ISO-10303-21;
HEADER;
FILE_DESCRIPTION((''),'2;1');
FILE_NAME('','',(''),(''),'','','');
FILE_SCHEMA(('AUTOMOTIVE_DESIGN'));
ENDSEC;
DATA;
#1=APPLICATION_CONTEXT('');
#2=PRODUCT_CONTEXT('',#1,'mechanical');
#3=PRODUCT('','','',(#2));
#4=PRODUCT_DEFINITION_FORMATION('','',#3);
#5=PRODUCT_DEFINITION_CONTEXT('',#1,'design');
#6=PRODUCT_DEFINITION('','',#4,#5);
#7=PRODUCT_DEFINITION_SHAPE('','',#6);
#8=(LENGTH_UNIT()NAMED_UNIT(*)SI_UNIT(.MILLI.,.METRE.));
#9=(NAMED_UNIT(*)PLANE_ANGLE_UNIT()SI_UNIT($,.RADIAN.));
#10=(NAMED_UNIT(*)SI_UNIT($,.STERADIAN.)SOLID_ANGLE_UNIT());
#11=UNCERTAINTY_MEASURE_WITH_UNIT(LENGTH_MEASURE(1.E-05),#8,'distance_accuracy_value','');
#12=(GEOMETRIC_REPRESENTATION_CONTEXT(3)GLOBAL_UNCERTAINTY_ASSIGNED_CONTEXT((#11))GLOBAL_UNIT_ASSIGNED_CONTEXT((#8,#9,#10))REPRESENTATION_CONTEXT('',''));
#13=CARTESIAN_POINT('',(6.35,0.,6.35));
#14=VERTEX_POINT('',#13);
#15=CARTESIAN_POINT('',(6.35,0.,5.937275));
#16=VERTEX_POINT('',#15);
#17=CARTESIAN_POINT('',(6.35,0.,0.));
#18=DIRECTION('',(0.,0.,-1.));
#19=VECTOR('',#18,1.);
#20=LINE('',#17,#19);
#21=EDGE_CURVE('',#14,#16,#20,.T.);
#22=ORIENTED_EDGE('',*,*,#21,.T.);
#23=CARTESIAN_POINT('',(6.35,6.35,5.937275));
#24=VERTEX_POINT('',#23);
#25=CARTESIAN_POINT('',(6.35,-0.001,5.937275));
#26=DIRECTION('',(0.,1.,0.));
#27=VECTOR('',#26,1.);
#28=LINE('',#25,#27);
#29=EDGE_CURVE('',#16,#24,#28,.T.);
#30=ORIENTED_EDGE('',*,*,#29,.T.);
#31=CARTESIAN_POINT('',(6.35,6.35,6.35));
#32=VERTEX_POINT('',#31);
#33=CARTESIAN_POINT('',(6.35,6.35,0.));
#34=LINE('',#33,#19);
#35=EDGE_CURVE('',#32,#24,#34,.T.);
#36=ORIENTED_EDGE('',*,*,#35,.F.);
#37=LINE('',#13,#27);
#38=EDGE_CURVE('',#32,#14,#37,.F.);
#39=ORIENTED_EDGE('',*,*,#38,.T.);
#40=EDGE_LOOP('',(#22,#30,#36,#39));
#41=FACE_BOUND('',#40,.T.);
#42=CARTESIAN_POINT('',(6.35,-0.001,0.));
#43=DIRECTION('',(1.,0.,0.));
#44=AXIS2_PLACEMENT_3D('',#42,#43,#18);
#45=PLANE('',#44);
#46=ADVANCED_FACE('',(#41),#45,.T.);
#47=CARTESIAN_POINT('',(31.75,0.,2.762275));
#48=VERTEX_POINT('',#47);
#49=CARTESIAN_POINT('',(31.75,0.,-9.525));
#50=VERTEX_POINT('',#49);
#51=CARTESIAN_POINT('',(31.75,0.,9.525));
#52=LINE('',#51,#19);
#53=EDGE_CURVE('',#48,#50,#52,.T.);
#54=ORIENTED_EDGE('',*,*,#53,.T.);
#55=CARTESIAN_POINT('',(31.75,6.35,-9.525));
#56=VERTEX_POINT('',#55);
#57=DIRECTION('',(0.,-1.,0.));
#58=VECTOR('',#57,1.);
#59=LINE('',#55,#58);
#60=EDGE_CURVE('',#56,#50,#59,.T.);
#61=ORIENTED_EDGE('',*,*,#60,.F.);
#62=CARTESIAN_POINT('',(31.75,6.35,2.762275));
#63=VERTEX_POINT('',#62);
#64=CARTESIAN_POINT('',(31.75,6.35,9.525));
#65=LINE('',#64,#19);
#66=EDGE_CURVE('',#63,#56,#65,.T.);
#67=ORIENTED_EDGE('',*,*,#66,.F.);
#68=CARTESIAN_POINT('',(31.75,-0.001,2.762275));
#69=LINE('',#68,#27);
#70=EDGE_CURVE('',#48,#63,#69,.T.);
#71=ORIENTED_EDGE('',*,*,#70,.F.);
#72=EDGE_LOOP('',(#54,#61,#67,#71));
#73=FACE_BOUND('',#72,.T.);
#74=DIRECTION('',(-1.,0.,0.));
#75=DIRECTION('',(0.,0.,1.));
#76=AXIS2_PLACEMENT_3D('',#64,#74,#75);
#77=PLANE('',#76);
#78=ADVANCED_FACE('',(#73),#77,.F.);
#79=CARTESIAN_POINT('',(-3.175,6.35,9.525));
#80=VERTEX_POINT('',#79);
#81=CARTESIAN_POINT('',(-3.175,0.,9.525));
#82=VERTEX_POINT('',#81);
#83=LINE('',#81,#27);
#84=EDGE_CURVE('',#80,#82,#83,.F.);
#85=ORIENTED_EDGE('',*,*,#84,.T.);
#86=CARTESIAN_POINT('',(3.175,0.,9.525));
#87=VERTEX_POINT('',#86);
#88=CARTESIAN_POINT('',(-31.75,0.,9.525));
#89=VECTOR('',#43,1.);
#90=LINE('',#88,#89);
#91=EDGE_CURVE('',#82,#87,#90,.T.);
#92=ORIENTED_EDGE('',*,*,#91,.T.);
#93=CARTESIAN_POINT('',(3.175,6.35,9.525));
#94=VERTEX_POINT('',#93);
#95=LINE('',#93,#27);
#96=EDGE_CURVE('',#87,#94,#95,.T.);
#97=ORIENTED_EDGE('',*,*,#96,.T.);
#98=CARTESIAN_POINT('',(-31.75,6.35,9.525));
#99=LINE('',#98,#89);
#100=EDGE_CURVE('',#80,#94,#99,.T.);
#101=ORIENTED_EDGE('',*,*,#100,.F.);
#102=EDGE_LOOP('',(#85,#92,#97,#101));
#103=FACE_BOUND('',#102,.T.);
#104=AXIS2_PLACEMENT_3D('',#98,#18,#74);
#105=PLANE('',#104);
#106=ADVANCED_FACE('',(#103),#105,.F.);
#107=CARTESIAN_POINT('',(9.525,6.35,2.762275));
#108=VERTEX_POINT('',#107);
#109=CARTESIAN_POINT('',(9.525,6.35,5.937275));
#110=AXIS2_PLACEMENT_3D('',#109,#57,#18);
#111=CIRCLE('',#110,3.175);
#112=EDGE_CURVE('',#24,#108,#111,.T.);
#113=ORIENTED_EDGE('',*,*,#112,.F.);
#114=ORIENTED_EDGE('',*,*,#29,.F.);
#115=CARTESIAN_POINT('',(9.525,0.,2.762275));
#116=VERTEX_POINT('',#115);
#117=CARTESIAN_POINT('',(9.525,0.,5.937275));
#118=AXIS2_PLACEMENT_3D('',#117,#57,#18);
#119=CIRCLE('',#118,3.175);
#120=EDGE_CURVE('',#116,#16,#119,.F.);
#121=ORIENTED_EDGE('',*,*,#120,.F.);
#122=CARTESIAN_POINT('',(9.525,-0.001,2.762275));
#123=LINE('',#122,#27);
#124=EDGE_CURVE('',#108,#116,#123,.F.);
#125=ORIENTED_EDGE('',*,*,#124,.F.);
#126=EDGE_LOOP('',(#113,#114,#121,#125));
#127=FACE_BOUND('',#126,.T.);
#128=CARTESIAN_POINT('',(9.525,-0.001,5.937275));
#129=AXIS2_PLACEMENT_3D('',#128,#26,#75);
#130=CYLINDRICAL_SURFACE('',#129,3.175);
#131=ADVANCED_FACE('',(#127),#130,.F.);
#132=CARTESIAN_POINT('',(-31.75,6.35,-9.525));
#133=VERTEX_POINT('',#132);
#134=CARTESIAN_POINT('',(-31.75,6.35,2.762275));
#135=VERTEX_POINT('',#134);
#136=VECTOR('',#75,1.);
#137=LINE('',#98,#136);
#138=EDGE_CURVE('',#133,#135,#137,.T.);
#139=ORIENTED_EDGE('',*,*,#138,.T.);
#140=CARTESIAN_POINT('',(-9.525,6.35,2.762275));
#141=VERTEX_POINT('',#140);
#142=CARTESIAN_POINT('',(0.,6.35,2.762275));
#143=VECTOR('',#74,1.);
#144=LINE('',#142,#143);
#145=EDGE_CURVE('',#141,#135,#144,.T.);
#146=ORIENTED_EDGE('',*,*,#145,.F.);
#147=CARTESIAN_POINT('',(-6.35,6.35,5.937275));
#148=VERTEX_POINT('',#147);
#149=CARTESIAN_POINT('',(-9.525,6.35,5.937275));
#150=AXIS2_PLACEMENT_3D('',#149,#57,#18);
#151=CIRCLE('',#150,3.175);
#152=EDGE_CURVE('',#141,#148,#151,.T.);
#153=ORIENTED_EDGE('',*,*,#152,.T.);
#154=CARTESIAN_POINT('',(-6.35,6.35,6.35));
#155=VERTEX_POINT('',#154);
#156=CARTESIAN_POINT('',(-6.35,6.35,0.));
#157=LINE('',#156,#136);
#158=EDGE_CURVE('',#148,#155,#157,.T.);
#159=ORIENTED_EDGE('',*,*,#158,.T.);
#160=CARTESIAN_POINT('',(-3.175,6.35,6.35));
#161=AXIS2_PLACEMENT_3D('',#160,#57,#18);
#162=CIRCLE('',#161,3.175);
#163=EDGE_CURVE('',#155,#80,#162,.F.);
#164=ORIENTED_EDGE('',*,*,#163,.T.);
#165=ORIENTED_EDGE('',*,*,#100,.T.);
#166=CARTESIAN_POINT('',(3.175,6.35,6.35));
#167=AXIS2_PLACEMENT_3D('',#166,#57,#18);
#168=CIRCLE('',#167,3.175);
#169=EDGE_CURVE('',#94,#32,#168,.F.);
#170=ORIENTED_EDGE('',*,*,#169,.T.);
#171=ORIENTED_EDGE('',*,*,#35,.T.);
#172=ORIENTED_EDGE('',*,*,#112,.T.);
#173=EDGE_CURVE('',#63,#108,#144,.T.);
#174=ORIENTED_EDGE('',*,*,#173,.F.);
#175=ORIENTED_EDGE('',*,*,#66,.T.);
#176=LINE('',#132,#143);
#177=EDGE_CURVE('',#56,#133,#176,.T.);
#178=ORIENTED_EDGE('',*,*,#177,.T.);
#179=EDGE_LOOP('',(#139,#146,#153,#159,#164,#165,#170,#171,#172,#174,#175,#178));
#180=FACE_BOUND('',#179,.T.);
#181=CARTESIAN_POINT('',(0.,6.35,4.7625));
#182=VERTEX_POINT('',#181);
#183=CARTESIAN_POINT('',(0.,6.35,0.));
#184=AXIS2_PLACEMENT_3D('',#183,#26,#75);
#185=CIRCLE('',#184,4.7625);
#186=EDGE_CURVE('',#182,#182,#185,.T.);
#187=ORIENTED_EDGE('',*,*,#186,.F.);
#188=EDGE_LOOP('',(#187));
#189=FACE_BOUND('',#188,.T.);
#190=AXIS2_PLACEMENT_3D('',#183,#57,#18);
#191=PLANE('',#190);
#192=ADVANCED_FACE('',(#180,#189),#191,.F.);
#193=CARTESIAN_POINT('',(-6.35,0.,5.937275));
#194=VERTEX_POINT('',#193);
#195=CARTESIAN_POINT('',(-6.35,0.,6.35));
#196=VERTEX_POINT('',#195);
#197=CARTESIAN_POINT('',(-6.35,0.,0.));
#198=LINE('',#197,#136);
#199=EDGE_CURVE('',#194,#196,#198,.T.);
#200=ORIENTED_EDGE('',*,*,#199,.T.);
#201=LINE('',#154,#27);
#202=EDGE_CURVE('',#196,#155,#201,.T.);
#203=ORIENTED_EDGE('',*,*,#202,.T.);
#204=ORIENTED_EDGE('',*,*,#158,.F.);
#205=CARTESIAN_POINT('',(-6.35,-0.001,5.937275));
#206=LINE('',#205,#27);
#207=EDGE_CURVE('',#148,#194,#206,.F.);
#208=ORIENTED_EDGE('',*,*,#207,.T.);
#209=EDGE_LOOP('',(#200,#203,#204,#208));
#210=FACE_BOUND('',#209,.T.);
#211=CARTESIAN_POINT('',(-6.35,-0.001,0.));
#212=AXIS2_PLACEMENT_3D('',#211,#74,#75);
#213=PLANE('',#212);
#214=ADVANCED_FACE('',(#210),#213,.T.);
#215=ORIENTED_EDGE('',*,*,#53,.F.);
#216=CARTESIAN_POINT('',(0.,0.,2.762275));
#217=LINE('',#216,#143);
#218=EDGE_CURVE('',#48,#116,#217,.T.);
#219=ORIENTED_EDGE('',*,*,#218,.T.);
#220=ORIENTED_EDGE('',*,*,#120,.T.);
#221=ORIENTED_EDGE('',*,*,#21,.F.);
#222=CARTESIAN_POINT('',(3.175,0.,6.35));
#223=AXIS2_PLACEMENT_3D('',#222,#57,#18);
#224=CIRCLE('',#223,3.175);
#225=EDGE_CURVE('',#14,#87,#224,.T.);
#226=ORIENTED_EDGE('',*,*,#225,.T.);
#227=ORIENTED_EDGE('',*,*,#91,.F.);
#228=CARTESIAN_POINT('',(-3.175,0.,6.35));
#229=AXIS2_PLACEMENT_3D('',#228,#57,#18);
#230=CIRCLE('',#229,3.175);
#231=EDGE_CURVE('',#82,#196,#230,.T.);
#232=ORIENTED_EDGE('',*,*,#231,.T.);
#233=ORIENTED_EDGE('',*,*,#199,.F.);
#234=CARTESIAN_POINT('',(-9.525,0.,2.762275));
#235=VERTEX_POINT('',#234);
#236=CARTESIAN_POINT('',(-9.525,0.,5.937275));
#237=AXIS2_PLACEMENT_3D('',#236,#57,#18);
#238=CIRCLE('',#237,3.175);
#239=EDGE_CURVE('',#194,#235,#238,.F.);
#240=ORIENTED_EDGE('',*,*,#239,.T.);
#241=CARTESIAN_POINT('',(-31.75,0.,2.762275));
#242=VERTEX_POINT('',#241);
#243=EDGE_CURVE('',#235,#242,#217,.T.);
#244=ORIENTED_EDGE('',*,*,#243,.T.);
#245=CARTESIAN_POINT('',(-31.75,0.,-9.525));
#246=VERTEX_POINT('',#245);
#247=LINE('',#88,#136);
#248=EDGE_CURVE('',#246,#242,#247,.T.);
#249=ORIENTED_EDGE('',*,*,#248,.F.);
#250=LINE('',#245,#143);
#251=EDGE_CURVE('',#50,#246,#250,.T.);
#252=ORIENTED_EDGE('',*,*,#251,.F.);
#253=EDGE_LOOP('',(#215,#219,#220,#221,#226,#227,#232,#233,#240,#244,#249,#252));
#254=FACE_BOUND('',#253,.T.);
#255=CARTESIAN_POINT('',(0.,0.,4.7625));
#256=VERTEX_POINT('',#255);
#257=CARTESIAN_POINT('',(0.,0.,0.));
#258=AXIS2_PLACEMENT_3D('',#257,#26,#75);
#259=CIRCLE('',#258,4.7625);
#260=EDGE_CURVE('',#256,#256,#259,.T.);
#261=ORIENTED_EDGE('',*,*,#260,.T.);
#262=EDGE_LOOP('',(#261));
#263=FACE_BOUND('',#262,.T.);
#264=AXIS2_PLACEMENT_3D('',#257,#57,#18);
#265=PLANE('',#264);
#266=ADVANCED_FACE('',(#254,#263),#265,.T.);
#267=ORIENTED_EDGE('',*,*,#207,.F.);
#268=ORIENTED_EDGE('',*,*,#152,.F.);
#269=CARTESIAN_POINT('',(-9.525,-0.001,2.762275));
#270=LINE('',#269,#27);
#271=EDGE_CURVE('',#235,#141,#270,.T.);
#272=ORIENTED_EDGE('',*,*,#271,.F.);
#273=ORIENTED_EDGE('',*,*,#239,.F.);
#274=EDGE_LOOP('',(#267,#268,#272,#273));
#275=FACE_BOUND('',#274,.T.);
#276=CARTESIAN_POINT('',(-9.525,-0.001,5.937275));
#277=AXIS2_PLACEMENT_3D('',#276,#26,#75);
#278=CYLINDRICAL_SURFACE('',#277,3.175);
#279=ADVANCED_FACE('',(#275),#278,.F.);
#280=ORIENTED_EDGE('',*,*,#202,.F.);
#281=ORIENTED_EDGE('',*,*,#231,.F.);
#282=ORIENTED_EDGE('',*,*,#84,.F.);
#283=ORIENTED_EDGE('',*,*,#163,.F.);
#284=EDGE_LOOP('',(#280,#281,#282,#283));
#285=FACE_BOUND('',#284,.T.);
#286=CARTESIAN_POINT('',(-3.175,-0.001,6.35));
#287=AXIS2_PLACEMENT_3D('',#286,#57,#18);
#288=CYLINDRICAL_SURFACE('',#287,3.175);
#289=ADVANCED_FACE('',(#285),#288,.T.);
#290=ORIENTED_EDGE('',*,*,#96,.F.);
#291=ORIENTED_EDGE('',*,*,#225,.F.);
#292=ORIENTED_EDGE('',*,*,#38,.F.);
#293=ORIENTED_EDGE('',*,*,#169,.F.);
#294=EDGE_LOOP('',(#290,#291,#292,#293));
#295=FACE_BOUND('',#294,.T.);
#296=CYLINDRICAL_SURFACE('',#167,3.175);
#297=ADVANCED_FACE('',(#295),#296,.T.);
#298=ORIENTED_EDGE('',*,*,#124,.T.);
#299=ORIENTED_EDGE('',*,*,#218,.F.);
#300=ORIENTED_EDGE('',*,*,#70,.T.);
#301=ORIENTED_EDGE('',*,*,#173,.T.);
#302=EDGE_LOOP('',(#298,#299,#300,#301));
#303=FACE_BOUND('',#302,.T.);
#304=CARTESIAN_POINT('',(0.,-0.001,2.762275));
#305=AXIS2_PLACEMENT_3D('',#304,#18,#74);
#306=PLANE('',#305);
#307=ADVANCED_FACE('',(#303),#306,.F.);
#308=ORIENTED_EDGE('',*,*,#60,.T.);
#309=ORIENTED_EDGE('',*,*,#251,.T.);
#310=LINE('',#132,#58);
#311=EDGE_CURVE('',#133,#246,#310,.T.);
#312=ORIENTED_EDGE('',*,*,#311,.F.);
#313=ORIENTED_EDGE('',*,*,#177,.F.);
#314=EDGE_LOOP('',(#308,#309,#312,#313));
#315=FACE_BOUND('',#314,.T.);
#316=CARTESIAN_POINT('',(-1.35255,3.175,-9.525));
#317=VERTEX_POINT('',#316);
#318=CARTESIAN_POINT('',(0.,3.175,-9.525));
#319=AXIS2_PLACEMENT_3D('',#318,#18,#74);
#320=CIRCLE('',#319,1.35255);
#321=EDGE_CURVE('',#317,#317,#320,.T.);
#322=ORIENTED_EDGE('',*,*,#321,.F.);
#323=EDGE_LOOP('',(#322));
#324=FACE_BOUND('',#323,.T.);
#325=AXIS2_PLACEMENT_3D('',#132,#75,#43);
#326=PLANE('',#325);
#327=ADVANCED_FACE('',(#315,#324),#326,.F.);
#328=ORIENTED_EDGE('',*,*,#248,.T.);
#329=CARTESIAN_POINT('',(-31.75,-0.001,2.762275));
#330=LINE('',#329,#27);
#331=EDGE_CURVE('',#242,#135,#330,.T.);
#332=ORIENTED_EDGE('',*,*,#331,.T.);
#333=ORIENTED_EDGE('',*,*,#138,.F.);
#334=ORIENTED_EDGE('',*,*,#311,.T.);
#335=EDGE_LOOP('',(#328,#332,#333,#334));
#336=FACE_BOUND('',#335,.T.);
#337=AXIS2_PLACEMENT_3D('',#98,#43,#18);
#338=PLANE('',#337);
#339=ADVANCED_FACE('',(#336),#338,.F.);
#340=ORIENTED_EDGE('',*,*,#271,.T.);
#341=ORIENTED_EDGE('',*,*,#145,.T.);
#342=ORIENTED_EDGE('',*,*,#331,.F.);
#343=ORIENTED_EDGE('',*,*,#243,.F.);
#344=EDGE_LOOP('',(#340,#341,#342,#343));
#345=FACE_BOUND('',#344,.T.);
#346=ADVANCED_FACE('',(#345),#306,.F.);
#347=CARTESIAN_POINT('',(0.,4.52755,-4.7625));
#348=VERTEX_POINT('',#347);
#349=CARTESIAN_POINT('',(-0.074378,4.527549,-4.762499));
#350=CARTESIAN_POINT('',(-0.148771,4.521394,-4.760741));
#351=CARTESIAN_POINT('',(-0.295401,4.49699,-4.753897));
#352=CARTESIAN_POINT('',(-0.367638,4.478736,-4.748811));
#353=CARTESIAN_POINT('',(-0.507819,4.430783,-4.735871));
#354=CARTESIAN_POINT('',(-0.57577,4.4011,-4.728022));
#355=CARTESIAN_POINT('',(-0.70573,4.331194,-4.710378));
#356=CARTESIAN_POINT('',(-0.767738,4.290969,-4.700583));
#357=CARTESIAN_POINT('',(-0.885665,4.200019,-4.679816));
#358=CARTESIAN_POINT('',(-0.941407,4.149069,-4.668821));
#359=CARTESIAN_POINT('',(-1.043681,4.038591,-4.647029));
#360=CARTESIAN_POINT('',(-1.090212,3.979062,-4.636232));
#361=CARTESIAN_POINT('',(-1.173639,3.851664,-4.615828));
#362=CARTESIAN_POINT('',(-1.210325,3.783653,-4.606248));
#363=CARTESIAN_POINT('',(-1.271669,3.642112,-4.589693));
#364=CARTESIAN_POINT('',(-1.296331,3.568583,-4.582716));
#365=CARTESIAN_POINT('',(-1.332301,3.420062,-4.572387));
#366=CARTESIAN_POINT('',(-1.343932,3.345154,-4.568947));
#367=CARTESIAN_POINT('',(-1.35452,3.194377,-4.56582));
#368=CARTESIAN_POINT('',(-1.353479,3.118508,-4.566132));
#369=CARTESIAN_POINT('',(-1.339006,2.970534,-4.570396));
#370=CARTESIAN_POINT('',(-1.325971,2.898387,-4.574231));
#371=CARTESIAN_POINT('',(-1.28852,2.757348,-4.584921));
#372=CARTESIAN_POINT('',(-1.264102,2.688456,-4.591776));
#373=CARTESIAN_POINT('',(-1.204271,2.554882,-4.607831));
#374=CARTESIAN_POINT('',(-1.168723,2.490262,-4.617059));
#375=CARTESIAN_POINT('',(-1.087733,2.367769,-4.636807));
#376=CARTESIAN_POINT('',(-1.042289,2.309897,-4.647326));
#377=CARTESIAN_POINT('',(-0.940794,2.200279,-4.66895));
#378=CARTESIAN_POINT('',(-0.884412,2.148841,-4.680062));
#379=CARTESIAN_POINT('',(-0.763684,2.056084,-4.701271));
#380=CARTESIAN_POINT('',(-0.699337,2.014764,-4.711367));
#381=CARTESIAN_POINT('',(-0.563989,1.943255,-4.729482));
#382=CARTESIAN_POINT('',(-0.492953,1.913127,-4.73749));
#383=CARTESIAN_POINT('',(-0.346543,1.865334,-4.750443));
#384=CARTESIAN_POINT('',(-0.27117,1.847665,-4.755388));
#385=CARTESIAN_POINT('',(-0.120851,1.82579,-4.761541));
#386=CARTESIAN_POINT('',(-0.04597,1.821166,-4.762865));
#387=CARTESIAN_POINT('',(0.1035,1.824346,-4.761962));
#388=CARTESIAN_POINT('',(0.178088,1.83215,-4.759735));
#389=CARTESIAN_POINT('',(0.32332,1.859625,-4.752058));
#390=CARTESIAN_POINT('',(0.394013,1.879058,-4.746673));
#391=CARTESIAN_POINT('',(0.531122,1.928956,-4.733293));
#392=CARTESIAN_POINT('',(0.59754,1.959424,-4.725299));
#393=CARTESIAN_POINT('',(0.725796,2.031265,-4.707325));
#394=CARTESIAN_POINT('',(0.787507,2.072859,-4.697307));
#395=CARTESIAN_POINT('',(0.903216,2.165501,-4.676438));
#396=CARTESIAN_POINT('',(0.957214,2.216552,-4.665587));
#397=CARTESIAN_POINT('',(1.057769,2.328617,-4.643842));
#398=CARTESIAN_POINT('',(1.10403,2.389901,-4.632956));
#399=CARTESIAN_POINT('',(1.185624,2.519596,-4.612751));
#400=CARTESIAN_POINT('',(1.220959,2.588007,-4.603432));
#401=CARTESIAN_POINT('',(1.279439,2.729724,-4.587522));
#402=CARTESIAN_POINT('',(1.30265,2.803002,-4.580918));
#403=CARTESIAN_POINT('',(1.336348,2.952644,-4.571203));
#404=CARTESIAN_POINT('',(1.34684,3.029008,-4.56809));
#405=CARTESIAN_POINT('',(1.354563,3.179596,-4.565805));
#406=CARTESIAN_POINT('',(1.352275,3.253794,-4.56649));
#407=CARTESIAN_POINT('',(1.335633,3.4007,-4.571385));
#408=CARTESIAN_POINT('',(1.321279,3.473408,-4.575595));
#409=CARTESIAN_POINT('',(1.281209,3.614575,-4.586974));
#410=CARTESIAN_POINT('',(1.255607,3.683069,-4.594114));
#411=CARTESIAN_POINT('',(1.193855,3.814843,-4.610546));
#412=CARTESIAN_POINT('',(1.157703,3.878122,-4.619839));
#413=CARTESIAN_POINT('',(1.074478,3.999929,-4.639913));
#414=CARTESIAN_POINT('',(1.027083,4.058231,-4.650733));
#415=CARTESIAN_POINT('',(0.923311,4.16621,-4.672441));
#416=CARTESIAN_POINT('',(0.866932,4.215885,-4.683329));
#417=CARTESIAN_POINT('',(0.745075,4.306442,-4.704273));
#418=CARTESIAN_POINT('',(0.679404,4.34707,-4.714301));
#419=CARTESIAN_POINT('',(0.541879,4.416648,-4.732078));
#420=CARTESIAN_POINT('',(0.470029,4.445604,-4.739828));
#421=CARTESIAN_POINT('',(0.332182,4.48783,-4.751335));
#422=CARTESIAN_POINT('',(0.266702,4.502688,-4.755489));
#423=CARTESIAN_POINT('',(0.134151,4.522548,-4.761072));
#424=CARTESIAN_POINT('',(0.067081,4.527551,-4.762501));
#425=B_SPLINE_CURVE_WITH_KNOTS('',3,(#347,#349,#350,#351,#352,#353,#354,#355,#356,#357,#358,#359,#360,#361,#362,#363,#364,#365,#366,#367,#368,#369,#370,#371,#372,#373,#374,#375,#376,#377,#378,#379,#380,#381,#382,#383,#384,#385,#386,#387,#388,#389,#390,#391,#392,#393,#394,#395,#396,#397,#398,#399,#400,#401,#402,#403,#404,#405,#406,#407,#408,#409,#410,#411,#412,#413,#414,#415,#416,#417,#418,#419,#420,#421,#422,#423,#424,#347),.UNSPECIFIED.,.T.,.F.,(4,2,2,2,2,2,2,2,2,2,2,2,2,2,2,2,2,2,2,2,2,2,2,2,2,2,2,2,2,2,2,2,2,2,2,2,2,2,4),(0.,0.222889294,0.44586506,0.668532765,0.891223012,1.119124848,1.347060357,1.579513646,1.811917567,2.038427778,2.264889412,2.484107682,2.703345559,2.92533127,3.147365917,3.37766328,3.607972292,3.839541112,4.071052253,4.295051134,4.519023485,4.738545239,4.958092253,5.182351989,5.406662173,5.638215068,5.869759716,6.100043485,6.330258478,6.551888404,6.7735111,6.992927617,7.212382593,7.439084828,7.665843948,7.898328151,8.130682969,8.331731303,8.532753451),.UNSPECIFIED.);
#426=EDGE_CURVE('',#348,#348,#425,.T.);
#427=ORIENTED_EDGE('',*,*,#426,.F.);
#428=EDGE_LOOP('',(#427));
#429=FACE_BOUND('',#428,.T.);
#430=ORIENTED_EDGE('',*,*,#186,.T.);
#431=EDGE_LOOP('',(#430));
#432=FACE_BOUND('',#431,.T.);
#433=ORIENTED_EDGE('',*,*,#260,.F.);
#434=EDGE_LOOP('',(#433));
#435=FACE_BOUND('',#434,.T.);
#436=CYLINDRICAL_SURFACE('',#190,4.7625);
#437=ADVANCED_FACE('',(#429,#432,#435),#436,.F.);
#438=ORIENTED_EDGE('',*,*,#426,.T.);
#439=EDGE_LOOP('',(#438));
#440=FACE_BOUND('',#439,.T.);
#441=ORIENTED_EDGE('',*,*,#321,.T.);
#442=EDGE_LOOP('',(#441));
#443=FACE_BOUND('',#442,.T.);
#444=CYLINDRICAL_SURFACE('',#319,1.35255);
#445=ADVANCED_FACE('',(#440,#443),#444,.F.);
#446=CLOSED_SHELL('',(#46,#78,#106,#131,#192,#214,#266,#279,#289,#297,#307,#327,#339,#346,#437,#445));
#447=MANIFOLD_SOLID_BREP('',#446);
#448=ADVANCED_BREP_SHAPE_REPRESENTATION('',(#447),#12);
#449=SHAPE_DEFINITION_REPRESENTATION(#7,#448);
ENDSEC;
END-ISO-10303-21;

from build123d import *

# Parameters (mm, degrees)
SKETCH1_W                  = 63.5
SKETCH1_H                  = 19.05
SKETCH1_R                  = 4.7625
BOSS_EXTRUDE1_DEPTH        = 6.35
F_6_32_TAPPED_HOLE1_REACH  = 39.567
F_6_32_TAPPED_HOLE1_BORE_R = 1.35255
CUT_EXTRUDE1_REACH         = 35.751
SKETCH5_W                  = 25.4
SKETCH5_H                  = 6.7627246
FILLET1_R                  = 3.175


with BuildPart() as part:
    # Sketch1 → Boss-Extrude1 (new body)
    with BuildSketch(Plane(origin=(0, 0, 0), x_dir=(1, 0, 0), z_dir=(0, 1, 0))):
        Rectangle(SKETCH1_W, SKETCH1_H)
        with Locations(Location((0, 0, 0), (0, 0, 270))):
            Circle(SKETCH1_R, mode=Mode.SUBTRACT)
    extrude(amount=BOSS_EXTRUDE1_DEPTH)

    # #6-32 Tapped Hole1 bore → #6-32 Tapped Hole1 (cut, up to next)
    with BuildSketch(Plane(origin=(0, 0, -9.525), x_dir=(-1, 0, 0), z_dir=(0, 0, -1)), mode=Mode.PRIVATE) as f_6_32_tapped_hole1_sk1:
        with Locations((0, 3.175)):
            Circle(F_6_32_TAPPED_HOLE1_BORE_R)
    f_6_32_tapped_hole1_tool1 = extrude(f_6_32_tapped_hole1_sk1.sketch, amount=-F_6_32_TAPPED_HOLE1_REACH, mode=Mode.PRIVATE) & part.part
    add(f_6_32_tapped_hole1_tool1.solids().sort_by_distance((0, 3.175, -9.525))[0], mode=Mode.SUBTRACT)

    # Sketch5 → Cut-Extrude1 (cut, up to next)
    with BuildSketch(Plane(origin=(0, 6.35, 0), x_dir=(1, 0, 0), z_dir=(0, 1, 0)), mode=Mode.PRIVATE) as cut_extrude1_sk1:
        with Locations((19.05, -6.1436377)):
            Rectangle(SKETCH5_W, SKETCH5_H)
    cut_extrude1_tool1 = extrude(cut_extrude1_sk1.sketch, amount=-CUT_EXTRUDE1_REACH, mode=Mode.PRIVATE) & part.part
    # Sketch5 → Cut-Extrude1 (cut, up to next)
    with BuildSketch(Plane(origin=(0, 6.35, 0), x_dir=(1, 0, 0), z_dir=(0, 1, 0)), mode=Mode.PRIVATE) as cut_extrude1_sk2:
        with Locations((-19.05, -6.1436377)):
            Rectangle(SKETCH5_W, SKETCH5_H)
    cut_extrude1_tool2 = extrude(cut_extrude1_sk2.sketch, amount=-CUT_EXTRUDE1_REACH, mode=Mode.PRIVATE) & part.part
    add(cut_extrude1_tool1.solids().sort_by_distance((19.05, 6.35, 6.143638))[0], mode=Mode.SUBTRACT)
    add(cut_extrude1_tool2.solids().sort_by_distance((-19.05, 6.35, 6.143638))[0], mode=Mode.SUBTRACT)

    # Fillet1
    fillet1_edges = [part.edges().sort_by_distance(p)[0] for p in [
        (-6.35, 3.175, 2.7622754),
        (-6.35, 3.175, 9.525),
        (6.35, 3.175, 9.525),
        (6.35, 3.175, 2.7622754),
    ]]
    fillet(fillet1_edges, radius=FILLET1_R)


solid = part.part
